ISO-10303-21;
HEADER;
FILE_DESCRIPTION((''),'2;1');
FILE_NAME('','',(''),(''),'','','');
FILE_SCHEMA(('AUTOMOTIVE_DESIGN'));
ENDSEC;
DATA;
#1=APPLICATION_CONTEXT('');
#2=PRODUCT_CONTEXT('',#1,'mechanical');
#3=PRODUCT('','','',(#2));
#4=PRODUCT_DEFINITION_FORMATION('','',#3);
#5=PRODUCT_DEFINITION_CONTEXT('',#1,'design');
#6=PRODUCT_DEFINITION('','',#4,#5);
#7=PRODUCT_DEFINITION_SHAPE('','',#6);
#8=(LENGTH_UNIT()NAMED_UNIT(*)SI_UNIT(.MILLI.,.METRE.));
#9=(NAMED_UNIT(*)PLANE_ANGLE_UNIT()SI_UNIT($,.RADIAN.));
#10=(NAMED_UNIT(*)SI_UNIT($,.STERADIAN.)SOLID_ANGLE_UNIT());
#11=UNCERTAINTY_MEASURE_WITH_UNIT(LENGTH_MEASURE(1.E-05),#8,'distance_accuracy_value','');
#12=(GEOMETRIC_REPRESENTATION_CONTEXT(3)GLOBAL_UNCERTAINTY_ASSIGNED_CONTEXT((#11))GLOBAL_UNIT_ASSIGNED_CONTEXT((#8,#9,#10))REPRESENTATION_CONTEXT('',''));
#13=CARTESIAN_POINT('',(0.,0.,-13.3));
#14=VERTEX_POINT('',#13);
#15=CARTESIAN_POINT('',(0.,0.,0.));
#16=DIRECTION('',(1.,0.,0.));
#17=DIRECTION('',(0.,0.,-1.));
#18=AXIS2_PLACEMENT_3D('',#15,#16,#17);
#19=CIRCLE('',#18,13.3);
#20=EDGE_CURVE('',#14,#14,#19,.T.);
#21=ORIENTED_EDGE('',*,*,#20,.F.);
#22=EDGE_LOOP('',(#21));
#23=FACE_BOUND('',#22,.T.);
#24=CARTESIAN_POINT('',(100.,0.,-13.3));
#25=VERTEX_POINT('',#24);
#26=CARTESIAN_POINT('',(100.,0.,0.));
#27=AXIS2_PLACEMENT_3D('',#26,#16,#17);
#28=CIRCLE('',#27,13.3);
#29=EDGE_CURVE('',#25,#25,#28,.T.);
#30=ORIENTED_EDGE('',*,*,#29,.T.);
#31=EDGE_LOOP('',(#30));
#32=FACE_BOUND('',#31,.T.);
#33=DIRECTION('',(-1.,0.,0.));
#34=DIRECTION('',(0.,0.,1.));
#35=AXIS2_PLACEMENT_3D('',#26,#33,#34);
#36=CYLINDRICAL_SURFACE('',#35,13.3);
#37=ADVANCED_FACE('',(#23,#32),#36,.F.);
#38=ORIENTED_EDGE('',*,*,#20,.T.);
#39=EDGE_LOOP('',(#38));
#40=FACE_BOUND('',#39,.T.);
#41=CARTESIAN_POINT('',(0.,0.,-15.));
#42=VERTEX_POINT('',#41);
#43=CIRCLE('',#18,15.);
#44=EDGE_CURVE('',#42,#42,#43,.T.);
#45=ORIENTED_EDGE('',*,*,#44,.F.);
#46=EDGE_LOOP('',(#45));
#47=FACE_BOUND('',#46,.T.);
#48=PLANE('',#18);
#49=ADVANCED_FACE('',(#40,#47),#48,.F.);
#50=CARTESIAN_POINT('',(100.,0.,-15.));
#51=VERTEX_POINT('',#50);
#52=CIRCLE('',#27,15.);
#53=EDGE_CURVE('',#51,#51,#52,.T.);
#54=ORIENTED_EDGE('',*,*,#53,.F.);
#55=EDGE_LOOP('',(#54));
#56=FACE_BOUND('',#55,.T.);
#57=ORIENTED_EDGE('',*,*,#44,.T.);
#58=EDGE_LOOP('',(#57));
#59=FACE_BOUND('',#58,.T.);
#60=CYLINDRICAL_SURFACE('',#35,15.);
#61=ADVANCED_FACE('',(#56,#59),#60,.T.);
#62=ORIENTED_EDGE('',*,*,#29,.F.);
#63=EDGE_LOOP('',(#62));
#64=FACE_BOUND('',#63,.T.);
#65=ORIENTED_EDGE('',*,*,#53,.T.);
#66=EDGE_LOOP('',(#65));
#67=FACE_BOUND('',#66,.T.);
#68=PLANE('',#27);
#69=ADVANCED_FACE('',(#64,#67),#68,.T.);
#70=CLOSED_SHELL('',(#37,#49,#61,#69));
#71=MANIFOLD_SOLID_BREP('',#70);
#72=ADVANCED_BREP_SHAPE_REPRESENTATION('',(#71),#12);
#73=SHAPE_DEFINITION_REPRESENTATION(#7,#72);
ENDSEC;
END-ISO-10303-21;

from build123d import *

# Parameters (mm, degrees)
SKETCH1_R      = 15
SKETCH1_R_2    = 13.3
EXTRUDE1_DEPTH = 100


with BuildPart() as part:
    # Sketch1 → Extrude1 (new body)
    with BuildSketch(Plane(origin=(0, 0, 0), x_dir=(0, 0, -1), z_dir=(1, 0, 0))):
        Circle(SKETCH1_R)
        Circle(SKETCH1_R_2, mode=Mode.SUBTRACT)
    extrude(amount=EXTRUDE1_DEPTH)


solid = part.part
